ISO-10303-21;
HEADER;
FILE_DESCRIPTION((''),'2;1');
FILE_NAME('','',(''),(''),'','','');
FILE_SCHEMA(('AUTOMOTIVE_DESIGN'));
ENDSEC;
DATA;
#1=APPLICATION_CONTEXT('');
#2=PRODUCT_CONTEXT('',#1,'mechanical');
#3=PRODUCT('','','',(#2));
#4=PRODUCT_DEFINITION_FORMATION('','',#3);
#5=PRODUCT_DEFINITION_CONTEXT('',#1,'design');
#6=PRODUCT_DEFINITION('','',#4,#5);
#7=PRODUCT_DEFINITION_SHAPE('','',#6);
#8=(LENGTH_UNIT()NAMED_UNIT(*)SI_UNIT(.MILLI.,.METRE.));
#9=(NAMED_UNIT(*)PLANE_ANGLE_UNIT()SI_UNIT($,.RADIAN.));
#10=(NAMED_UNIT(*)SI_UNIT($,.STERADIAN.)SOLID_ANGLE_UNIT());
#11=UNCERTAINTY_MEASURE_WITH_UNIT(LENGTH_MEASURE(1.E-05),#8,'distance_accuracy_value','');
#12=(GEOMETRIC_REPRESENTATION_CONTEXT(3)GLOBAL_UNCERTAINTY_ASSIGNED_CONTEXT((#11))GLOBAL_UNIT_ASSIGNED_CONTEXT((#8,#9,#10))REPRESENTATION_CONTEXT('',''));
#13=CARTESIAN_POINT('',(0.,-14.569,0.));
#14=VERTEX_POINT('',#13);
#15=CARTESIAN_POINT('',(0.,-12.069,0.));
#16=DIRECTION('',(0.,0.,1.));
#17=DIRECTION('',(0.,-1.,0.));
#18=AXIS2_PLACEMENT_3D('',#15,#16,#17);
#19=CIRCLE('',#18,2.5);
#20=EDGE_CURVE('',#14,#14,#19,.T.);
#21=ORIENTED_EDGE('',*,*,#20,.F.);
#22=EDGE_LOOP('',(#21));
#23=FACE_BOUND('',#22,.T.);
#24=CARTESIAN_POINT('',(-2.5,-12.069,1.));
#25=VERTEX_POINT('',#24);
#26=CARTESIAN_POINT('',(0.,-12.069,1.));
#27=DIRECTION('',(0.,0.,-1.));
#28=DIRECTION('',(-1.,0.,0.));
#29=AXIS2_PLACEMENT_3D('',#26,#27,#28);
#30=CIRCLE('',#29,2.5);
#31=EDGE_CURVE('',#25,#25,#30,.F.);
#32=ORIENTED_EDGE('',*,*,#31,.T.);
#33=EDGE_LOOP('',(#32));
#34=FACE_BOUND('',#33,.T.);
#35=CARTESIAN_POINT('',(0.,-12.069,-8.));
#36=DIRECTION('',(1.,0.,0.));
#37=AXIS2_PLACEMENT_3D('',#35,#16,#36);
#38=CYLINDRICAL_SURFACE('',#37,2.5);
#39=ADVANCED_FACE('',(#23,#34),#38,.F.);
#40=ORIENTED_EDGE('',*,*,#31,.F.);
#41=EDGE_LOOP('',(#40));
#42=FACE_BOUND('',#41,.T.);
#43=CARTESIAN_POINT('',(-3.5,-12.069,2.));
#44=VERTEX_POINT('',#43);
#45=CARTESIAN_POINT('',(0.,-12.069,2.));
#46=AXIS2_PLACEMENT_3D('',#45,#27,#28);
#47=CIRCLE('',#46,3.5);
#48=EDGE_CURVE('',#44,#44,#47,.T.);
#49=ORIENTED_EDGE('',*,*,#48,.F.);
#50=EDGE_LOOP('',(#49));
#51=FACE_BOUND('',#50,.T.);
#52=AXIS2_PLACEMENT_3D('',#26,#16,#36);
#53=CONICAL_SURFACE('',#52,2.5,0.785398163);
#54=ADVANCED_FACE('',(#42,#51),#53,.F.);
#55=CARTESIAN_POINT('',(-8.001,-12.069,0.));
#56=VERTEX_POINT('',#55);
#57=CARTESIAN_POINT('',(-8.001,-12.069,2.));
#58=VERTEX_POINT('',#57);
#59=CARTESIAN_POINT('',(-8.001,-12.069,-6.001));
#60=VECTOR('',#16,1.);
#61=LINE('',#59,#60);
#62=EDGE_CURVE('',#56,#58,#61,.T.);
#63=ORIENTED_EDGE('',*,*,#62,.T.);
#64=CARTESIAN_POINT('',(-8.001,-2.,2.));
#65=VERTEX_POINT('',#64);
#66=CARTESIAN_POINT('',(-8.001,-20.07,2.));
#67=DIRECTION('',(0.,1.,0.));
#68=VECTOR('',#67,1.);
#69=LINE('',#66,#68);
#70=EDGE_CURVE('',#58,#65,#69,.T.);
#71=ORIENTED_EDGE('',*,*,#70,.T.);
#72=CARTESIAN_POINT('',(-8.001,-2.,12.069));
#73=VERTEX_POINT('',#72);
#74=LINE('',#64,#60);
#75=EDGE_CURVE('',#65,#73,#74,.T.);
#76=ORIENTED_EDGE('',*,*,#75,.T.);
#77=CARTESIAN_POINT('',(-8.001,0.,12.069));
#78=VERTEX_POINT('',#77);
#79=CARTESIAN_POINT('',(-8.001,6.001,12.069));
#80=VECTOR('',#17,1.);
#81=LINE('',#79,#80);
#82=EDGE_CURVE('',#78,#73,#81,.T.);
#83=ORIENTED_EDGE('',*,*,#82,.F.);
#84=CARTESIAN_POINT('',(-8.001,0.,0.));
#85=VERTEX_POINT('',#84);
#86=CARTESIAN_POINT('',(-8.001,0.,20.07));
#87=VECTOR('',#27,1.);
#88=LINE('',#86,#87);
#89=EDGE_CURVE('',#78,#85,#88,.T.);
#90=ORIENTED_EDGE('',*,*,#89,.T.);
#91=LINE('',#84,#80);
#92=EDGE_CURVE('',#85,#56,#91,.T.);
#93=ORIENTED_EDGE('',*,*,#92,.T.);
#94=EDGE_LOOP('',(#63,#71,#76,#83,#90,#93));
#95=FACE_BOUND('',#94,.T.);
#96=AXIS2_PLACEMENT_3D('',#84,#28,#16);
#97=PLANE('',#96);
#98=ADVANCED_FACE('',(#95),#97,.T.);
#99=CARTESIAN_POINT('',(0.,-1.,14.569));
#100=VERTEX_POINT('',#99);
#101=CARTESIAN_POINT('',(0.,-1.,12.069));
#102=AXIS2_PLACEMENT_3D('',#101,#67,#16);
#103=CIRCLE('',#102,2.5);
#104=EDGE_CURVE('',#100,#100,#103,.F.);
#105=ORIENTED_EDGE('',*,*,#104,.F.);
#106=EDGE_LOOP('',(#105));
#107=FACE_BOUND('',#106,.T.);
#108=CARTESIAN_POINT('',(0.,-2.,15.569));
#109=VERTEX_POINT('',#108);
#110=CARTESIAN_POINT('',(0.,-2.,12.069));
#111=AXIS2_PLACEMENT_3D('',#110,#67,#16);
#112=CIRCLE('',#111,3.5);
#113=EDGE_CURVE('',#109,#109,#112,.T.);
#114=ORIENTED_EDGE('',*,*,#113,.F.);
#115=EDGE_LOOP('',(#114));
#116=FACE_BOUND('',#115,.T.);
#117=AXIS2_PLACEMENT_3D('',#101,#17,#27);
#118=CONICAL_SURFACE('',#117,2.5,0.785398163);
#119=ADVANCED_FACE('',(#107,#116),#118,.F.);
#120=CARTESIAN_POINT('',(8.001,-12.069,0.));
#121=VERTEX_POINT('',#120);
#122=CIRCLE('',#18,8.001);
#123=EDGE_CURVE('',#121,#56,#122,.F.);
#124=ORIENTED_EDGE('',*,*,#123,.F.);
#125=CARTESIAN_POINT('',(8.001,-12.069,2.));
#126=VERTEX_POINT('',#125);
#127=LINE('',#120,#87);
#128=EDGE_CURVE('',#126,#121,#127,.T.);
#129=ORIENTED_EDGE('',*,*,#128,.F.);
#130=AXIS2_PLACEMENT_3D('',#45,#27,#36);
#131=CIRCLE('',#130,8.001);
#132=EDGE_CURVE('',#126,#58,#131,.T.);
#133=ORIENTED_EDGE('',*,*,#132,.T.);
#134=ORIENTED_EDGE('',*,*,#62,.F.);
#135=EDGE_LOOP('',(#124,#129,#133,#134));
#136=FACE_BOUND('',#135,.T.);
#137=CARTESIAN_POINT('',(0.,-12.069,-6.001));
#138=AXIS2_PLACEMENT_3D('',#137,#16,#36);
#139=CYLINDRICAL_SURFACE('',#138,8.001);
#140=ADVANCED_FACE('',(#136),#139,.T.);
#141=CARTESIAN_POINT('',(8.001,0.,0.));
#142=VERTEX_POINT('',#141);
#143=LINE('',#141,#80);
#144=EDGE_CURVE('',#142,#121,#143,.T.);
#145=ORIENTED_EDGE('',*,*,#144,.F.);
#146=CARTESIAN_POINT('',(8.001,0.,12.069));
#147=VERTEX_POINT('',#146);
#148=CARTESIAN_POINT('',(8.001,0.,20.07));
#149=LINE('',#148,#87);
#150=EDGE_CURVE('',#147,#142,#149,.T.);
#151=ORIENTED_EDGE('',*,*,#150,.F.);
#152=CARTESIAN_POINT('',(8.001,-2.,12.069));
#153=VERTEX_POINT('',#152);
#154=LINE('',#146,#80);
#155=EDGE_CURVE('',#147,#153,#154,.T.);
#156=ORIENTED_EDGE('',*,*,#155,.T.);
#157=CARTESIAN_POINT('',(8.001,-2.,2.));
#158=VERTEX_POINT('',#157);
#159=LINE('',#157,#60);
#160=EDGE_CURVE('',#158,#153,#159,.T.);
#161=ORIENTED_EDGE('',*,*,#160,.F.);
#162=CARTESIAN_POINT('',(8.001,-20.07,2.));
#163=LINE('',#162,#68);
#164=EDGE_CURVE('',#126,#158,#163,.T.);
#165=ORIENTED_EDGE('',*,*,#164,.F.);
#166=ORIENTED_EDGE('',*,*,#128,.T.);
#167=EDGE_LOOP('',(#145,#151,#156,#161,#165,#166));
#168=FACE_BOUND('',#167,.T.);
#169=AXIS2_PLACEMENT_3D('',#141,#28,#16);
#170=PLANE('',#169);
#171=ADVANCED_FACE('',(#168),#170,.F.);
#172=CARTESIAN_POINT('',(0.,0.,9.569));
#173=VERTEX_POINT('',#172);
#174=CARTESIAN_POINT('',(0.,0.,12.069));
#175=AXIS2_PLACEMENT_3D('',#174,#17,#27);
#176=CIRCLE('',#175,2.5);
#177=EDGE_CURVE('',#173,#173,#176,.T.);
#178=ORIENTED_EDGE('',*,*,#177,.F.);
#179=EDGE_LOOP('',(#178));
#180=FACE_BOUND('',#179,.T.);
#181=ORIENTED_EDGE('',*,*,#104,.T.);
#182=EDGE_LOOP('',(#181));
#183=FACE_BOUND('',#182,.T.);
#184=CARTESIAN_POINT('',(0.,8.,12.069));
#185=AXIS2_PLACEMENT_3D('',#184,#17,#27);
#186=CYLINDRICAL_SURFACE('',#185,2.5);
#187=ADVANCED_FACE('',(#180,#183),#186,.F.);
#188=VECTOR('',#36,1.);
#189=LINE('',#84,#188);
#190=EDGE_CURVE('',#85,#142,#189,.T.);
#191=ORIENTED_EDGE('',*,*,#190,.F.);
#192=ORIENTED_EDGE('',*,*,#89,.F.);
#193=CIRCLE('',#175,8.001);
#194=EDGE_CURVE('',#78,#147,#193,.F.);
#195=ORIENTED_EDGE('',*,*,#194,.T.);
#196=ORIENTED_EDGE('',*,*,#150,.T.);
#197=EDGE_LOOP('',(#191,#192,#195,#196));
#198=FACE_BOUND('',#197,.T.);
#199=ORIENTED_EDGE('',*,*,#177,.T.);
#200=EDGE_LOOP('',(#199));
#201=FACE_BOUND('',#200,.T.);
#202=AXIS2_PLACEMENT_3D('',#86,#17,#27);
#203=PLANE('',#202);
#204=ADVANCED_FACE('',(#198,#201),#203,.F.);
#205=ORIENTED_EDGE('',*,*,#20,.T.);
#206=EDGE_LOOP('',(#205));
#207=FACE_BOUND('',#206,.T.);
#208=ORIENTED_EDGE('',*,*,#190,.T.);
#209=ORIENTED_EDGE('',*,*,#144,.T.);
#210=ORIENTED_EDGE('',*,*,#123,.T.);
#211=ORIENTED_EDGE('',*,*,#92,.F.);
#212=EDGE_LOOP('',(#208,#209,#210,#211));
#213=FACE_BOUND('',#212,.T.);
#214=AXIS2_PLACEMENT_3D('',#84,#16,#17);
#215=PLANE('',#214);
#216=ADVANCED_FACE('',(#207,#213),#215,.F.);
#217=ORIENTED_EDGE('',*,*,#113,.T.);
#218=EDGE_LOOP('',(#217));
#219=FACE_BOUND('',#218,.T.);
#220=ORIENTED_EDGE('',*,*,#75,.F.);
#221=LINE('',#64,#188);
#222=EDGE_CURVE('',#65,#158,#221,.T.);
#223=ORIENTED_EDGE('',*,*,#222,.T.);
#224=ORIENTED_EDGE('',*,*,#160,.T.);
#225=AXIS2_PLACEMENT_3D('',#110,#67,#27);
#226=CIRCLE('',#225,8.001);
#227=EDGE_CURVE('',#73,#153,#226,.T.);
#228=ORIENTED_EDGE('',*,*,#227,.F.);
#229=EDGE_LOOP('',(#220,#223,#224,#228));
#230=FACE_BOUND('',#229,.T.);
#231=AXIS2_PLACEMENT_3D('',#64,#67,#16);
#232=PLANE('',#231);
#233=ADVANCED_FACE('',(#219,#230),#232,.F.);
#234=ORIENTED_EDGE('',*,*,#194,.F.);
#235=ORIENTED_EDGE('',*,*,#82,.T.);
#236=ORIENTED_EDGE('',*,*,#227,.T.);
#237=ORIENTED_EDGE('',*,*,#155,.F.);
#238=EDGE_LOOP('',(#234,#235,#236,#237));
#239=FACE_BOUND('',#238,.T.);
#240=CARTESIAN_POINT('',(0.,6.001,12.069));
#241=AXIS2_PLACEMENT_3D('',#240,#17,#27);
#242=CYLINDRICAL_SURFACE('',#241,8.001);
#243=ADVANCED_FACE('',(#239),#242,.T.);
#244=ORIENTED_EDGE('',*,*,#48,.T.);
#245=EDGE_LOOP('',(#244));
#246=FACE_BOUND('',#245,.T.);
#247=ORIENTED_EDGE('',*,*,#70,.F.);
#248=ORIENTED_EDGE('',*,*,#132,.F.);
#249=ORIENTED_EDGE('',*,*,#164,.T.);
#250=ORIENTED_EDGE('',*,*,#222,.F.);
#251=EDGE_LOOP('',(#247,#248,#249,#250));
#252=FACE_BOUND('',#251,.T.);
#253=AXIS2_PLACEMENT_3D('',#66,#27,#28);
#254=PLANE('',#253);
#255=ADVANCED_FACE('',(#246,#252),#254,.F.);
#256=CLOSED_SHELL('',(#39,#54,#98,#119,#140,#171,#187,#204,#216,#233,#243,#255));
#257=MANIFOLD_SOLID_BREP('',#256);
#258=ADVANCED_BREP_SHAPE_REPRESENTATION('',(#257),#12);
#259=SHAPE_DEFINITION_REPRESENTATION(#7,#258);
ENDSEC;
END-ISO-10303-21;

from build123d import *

# Parameters (mm, degrees)
BOSS_EXTRUDE1_DEPTH      = 8.001
BOSS_EXTRUDE1_DEPTH_BACK = 8.001
CUT_EXTRUDE1_DEPTH       = 8.001
CUT_EXTRUDE2_DEPTH       = 8.001
SKETCH5_R                = 2.5
CUT_EXTRUDE3_DEPTH       = 10
SKETCH6_R                = 2.5
CUT_EXTRUDE4_DEPTH       = 10
CHAMFER1_SIZE            = 1


with BuildPart() as part:
    # Sketch2 → Boss-Extrude1 (new, two sides: drawn at the far end of the back side and taken through both)
    with BuildSketch(Plane(origin=(0, 0, 0), x_dir=(0, 0, -1), z_dir=(1, 0, 0)).offset(-BOSS_EXTRUDE1_DEPTH_BACK)):
        Polygon((-20.07, 0), (0, 0), (0, -20.07), (-2, -20.07), (-2, -2), (-20.07, -2), align=None)
    extrude(amount=BOSS_EXTRUDE1_DEPTH + BOSS_EXTRUDE1_DEPTH_BACK)

    # Sketch3 → Cut-Extrude1 (cut)
    with BuildSketch(Plane.XZ.offset(2)):
        with BuildLine():
            Line((-8.001, 12.069), (-12.725932728, 12.069))
            Line((-12.725932728, 12.069), (-12.725932728, 24.915681473))
            Line((-12.725932728, 24.915681473), (12.141962569, 24.915681473))
            Line((12.141962569, 24.915681473), (12.141962569, 12.069))
            Line((12.141962569, 12.069), (8.001, 12.069))
            ThreePointArc((8.001, 12.069), (0, 20.07), (-8.001, 12.069))
        make_face()
    extrude(amount=-CUT_EXTRUDE1_DEPTH, mode=Mode.SUBTRACT)

    # Sketch4 → Cut-Extrude2 (cut)
    with BuildSketch(Plane.XY.offset(2)):
        with BuildLine():
            Line((-8.001, -12.069), (-10.480924408, -12.069))
            Line((-10.480924408, -12.069), (-10.480924408, -22.641723191))
            Line((-10.480924408, -22.641723191), (9.892967081, -22.641723191))
            Line((9.892967081, -22.641723191), (9.892967081, -12.069))
            Line((9.892967081, -12.069), (8.001, -12.069))
            ThreePointArc((8.001, -12.069), (0, -20.07), (-8.001, -12.069))
        make_face()
    extrude(amount=-CUT_EXTRUDE2_DEPTH, mode=Mode.SUBTRACT)

    # Sketch5 → Cut-Extrude3 (cut)
    with BuildSketch(Plane.XY.offset(2)):
        with Locations((0, -12.069)):
            Circle(SKETCH5_R)
    extrude(amount=-CUT_EXTRUDE3_DEPTH, mode=Mode.SUBTRACT)

    # Sketch6 → Cut-Extrude4 (cut)
    with BuildSketch(Plane.XZ.offset(2)):
        with Locations((0, 12.069)):
            Circle(SKETCH6_R)
    extrude(amount=-CUT_EXTRUDE4_DEPTH, mode=Mode.SUBTRACT)

    # Chamfer1
    chamfer1_edges = [part.edges().sort_by_distance(p)[0] for p in [
        (-2.5, -2, 12.069),
        (-2.5, -12.069, 2),
    ]]
    chamfer(chamfer1_edges, length=CHAMFER1_SIZE)


solid = part.part
